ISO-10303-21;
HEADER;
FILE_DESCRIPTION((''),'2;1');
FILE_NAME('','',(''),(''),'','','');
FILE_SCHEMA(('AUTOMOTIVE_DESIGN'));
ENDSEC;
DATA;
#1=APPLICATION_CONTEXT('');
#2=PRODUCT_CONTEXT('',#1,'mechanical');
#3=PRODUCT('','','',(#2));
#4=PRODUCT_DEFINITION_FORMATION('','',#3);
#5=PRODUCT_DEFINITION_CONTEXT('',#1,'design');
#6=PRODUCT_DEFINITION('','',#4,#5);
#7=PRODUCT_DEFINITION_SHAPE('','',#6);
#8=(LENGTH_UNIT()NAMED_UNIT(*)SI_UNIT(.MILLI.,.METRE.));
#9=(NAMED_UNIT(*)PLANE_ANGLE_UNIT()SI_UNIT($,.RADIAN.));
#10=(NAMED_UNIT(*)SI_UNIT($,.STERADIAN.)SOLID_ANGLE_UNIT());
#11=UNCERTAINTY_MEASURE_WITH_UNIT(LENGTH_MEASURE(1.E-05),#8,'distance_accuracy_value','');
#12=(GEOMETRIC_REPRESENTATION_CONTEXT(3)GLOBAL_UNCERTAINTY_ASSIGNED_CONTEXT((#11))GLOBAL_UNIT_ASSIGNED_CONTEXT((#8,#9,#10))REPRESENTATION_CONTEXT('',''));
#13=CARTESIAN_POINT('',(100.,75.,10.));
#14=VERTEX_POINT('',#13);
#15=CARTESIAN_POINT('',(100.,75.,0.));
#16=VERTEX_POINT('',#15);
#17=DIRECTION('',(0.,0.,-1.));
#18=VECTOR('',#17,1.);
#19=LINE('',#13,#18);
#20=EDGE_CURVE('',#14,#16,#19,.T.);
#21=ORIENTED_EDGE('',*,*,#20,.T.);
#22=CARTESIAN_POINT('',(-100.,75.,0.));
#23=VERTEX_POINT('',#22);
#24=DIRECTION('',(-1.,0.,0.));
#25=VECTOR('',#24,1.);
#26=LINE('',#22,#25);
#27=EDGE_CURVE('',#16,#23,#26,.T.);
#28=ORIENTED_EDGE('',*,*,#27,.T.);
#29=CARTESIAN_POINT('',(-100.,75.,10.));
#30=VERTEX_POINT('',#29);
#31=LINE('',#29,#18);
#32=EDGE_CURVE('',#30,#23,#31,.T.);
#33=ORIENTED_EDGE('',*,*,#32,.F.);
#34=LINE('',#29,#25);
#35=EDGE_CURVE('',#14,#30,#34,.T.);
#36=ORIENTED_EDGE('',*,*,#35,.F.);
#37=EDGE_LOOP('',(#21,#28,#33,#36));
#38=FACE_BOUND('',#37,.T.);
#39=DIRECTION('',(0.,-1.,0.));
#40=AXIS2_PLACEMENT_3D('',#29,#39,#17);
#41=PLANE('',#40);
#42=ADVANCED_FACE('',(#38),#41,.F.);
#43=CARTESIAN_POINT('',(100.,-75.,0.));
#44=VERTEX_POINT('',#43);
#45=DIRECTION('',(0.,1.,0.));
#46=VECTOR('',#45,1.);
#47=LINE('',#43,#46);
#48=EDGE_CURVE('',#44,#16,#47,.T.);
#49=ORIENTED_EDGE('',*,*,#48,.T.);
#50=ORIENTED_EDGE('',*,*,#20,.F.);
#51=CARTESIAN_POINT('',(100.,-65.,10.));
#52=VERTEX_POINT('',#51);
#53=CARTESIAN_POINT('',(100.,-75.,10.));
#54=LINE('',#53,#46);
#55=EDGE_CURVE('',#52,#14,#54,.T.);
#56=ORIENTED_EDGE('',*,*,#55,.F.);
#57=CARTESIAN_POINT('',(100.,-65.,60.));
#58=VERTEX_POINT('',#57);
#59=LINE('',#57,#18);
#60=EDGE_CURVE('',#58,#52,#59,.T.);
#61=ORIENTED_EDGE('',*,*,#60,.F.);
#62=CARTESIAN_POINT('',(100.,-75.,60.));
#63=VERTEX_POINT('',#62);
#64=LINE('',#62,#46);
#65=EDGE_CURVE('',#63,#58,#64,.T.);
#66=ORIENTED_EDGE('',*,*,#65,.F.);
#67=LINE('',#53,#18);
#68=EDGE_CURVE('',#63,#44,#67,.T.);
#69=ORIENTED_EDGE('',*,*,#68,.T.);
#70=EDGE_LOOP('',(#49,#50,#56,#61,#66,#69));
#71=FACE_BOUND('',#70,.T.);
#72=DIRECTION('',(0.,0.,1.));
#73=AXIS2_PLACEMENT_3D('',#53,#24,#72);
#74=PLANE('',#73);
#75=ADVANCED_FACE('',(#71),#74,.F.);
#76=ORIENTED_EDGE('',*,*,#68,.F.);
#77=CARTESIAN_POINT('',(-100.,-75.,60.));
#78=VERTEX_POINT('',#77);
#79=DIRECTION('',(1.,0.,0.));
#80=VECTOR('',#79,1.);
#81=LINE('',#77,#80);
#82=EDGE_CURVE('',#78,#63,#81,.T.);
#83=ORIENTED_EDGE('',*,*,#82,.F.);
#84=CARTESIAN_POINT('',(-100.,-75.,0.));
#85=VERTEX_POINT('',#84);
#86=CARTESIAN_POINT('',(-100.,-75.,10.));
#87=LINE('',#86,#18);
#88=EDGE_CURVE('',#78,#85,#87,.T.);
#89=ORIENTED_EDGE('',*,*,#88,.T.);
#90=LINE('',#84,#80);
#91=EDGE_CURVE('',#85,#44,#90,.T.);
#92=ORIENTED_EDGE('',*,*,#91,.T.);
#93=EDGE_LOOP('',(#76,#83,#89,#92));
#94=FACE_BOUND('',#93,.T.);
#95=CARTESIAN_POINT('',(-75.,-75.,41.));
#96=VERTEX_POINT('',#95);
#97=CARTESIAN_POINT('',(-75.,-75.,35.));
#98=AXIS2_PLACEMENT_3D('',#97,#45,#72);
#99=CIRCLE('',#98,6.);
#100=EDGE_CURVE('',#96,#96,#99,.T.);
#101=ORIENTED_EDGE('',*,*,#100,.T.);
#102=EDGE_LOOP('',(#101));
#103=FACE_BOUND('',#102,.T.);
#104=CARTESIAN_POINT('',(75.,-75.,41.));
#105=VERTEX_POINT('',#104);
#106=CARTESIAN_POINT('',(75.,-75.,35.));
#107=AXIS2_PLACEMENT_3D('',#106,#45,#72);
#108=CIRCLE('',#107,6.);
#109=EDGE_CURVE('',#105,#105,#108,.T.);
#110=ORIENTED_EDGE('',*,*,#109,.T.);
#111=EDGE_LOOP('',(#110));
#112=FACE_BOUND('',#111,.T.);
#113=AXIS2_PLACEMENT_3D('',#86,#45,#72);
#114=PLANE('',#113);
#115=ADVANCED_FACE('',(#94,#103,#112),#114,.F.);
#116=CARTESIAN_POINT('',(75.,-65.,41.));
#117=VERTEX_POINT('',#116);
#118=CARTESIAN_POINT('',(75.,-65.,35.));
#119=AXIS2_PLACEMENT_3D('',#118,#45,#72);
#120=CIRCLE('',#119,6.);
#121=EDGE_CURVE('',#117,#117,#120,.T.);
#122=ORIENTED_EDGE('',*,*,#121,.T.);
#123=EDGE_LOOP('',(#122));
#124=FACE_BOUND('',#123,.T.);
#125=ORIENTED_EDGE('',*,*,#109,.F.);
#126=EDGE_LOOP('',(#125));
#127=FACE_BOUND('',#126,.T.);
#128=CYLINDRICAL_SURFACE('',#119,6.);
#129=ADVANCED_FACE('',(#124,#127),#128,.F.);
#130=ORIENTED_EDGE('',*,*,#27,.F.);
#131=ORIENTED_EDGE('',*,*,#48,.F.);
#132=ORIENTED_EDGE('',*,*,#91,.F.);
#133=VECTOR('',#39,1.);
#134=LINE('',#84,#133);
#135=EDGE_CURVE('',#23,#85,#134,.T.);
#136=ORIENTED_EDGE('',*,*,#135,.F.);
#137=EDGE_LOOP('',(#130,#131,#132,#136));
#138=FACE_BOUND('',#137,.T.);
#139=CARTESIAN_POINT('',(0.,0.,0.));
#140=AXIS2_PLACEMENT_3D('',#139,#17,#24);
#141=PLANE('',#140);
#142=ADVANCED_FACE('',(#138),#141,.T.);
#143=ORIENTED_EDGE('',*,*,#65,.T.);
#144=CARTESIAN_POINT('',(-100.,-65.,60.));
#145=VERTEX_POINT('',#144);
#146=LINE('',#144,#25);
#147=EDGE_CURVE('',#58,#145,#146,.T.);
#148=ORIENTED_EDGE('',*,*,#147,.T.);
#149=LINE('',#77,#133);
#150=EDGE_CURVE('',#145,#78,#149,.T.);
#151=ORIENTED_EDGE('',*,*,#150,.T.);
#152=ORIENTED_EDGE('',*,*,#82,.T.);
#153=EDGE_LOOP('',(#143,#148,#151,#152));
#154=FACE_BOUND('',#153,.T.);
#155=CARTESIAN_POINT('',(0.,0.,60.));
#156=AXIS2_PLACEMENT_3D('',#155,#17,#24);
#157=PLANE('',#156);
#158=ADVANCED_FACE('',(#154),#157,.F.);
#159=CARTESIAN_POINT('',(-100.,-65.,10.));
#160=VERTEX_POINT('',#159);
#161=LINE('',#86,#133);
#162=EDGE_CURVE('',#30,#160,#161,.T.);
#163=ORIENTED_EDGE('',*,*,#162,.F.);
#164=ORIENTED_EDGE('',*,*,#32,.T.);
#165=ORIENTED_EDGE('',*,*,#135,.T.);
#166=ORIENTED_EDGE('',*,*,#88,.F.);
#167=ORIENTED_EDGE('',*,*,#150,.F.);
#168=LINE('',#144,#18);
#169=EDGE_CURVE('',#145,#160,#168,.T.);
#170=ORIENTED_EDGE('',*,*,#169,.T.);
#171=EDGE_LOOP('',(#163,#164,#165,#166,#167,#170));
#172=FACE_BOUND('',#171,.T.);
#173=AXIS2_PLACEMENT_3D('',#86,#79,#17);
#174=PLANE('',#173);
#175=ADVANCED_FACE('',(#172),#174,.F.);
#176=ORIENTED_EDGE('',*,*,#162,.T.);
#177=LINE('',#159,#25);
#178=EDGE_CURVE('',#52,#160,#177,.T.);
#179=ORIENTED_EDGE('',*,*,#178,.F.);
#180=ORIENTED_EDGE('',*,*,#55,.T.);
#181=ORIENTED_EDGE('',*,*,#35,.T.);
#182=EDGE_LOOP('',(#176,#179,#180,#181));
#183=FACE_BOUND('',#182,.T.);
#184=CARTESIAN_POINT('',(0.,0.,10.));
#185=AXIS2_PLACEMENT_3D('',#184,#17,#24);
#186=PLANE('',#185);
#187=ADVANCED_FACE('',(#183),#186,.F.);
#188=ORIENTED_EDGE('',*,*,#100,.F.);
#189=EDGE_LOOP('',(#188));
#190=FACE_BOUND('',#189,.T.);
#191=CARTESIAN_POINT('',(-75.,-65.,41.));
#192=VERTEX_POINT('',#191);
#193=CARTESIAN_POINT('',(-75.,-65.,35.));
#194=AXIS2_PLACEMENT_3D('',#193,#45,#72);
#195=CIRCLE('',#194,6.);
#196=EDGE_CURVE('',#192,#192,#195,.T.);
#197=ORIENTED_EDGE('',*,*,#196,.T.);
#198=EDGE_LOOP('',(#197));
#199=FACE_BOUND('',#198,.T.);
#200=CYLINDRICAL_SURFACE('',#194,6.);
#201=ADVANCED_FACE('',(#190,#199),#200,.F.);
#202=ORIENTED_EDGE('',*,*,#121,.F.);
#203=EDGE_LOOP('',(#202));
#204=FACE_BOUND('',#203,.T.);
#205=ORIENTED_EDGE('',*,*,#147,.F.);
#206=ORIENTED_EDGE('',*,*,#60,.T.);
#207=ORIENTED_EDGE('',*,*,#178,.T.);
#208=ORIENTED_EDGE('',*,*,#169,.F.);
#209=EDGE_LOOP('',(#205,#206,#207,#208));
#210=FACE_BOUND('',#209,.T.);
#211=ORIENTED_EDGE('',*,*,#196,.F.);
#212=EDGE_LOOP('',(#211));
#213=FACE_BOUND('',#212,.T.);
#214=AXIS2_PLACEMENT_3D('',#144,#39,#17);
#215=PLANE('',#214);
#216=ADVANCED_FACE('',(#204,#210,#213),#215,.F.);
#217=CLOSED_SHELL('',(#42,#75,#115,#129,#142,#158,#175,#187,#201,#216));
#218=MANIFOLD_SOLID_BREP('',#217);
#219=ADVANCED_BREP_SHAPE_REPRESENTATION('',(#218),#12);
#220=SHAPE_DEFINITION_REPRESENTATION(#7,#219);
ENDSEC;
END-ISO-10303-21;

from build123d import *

# Parameters (mm, degrees)
SZKIC1_W                    = 200
SZKIC1_H                    = 150
DODANIE_WYCI_GNI_CIE1_DEPTH = 10
SZKIC2_W                    = 200
SZKIC2_H                    = 10
DODANIE_WYCI_GNI_CIE2_DEPTH = 50
OTW_R_POD_RUB_M101_D        = 12
SZYK_LINIOWY2_COUNT         = 2
SZYK_LINIOWY2_PITCH         = 150


with BuildPart() as part:
    # Szkic1 → Dodanie-wyciągnięcie1 (new body)
    with BuildSketch(Plane.XY):
        Rectangle(SZKIC1_W, SZKIC1_H)
    extrude(amount=DODANIE_WYCI_GNI_CIE1_DEPTH)

    # Szkic2 → Dodanie-wyciągnięcie2 (add)
    with BuildSketch(Plane.XY.offset(10)):
        with Locations((0, -70)):
            Rectangle(SZKIC2_W, SZKIC2_H)
    extrude(amount=DODANIE_WYCI_GNI_CIE2_DEPTH)

    # Otwór pod śrubę M101 (through all)
    with Locations(Plane(origin=(0, -65, 0), x_dir=(1, 0, 0), z_dir=(0, 1, 0))):
        with Locations((-75, -35)):
            otw_r_pod_rub_m101 = Hole(OTW_R_POD_RUB_M101_D / 2)

    # Szyk liniowy2: Otwór pod śrubę M101 ×2
    with Locations(*[(i * SZYK_LINIOWY2_PITCH, 0, 0) for i in range(1, SZYK_LINIOWY2_COUNT)]):
        add(otw_r_pod_rub_m101, mode=Mode.SUBTRACT)


solid = part.part
